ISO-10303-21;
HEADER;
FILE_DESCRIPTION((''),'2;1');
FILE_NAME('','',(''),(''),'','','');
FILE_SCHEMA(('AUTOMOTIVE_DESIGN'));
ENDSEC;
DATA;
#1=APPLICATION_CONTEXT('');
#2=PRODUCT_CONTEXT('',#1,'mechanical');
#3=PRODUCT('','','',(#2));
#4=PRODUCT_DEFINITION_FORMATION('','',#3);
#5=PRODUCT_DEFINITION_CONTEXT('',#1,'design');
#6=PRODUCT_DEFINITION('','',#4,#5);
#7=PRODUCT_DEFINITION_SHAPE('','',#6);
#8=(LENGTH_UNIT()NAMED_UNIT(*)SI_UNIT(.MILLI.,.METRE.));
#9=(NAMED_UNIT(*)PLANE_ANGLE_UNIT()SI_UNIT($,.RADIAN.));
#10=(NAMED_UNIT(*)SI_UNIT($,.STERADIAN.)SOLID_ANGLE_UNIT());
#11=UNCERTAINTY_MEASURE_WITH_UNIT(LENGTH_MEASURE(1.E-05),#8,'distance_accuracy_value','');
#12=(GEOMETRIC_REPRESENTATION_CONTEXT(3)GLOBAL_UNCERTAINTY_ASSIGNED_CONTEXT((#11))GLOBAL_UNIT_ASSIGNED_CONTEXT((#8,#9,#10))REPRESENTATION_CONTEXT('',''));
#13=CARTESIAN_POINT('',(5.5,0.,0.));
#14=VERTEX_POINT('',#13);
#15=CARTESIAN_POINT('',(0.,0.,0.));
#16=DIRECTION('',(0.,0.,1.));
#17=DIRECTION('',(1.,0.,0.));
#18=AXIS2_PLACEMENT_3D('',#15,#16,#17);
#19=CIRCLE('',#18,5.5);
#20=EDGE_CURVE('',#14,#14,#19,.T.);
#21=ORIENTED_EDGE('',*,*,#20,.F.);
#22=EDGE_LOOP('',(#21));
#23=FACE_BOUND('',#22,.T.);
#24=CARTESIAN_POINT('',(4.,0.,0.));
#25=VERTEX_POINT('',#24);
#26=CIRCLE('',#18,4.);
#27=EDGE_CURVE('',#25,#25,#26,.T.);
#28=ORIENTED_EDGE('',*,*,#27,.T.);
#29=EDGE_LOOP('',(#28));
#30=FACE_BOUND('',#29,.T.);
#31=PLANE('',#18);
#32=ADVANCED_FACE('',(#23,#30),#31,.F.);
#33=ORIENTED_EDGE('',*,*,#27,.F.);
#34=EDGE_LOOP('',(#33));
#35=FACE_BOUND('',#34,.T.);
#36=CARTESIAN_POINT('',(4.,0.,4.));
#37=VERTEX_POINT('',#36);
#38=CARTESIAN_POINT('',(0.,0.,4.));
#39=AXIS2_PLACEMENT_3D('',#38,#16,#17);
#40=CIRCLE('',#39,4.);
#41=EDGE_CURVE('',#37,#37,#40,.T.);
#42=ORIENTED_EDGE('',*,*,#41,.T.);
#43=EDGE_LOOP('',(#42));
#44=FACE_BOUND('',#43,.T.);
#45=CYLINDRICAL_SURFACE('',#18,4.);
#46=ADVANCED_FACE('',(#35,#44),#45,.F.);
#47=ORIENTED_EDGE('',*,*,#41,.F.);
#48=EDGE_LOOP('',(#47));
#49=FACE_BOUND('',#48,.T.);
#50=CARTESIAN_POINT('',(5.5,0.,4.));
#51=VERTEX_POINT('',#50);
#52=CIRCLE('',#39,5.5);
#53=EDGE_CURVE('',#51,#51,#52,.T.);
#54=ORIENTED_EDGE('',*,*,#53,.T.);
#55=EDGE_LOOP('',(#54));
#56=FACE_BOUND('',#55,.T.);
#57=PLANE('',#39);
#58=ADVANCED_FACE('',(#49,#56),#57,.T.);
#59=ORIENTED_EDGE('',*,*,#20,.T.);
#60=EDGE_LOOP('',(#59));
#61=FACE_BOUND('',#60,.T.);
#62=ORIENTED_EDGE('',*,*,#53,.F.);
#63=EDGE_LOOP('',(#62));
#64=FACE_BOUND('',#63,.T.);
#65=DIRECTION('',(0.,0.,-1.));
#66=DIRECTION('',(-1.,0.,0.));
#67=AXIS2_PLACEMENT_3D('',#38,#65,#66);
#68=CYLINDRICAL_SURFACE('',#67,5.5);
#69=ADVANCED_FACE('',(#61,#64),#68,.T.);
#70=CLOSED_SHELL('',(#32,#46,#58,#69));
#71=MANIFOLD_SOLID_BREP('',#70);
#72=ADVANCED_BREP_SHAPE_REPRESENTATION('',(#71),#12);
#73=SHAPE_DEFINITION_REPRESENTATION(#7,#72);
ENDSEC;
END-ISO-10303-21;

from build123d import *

# Parameters (mm, degrees)
SKETCH_1_R          = 5.5
EXTRUDE_169_DEPTH   = 4
SKETCH_2_R          = 4
CUT_EXTRUDE_1_DEPTH = 9.746427842


with BuildPart() as part:
    # Эскиз1 → Extrude 169 (new body)
    with BuildSketch(Plane.XY):
        Circle(SKETCH_1_R)
    extrude(amount=EXTRUDE_169_DEPTH)

    # Эскиз2 → Вырез-Вытянуть1 (cut, through all)
    with BuildSketch(Plane.XY.offset(4)):
        Circle(SKETCH_2_R)
    extrude(amount=-CUT_EXTRUDE_1_DEPTH, mode=Mode.SUBTRACT)


solid = part.part
